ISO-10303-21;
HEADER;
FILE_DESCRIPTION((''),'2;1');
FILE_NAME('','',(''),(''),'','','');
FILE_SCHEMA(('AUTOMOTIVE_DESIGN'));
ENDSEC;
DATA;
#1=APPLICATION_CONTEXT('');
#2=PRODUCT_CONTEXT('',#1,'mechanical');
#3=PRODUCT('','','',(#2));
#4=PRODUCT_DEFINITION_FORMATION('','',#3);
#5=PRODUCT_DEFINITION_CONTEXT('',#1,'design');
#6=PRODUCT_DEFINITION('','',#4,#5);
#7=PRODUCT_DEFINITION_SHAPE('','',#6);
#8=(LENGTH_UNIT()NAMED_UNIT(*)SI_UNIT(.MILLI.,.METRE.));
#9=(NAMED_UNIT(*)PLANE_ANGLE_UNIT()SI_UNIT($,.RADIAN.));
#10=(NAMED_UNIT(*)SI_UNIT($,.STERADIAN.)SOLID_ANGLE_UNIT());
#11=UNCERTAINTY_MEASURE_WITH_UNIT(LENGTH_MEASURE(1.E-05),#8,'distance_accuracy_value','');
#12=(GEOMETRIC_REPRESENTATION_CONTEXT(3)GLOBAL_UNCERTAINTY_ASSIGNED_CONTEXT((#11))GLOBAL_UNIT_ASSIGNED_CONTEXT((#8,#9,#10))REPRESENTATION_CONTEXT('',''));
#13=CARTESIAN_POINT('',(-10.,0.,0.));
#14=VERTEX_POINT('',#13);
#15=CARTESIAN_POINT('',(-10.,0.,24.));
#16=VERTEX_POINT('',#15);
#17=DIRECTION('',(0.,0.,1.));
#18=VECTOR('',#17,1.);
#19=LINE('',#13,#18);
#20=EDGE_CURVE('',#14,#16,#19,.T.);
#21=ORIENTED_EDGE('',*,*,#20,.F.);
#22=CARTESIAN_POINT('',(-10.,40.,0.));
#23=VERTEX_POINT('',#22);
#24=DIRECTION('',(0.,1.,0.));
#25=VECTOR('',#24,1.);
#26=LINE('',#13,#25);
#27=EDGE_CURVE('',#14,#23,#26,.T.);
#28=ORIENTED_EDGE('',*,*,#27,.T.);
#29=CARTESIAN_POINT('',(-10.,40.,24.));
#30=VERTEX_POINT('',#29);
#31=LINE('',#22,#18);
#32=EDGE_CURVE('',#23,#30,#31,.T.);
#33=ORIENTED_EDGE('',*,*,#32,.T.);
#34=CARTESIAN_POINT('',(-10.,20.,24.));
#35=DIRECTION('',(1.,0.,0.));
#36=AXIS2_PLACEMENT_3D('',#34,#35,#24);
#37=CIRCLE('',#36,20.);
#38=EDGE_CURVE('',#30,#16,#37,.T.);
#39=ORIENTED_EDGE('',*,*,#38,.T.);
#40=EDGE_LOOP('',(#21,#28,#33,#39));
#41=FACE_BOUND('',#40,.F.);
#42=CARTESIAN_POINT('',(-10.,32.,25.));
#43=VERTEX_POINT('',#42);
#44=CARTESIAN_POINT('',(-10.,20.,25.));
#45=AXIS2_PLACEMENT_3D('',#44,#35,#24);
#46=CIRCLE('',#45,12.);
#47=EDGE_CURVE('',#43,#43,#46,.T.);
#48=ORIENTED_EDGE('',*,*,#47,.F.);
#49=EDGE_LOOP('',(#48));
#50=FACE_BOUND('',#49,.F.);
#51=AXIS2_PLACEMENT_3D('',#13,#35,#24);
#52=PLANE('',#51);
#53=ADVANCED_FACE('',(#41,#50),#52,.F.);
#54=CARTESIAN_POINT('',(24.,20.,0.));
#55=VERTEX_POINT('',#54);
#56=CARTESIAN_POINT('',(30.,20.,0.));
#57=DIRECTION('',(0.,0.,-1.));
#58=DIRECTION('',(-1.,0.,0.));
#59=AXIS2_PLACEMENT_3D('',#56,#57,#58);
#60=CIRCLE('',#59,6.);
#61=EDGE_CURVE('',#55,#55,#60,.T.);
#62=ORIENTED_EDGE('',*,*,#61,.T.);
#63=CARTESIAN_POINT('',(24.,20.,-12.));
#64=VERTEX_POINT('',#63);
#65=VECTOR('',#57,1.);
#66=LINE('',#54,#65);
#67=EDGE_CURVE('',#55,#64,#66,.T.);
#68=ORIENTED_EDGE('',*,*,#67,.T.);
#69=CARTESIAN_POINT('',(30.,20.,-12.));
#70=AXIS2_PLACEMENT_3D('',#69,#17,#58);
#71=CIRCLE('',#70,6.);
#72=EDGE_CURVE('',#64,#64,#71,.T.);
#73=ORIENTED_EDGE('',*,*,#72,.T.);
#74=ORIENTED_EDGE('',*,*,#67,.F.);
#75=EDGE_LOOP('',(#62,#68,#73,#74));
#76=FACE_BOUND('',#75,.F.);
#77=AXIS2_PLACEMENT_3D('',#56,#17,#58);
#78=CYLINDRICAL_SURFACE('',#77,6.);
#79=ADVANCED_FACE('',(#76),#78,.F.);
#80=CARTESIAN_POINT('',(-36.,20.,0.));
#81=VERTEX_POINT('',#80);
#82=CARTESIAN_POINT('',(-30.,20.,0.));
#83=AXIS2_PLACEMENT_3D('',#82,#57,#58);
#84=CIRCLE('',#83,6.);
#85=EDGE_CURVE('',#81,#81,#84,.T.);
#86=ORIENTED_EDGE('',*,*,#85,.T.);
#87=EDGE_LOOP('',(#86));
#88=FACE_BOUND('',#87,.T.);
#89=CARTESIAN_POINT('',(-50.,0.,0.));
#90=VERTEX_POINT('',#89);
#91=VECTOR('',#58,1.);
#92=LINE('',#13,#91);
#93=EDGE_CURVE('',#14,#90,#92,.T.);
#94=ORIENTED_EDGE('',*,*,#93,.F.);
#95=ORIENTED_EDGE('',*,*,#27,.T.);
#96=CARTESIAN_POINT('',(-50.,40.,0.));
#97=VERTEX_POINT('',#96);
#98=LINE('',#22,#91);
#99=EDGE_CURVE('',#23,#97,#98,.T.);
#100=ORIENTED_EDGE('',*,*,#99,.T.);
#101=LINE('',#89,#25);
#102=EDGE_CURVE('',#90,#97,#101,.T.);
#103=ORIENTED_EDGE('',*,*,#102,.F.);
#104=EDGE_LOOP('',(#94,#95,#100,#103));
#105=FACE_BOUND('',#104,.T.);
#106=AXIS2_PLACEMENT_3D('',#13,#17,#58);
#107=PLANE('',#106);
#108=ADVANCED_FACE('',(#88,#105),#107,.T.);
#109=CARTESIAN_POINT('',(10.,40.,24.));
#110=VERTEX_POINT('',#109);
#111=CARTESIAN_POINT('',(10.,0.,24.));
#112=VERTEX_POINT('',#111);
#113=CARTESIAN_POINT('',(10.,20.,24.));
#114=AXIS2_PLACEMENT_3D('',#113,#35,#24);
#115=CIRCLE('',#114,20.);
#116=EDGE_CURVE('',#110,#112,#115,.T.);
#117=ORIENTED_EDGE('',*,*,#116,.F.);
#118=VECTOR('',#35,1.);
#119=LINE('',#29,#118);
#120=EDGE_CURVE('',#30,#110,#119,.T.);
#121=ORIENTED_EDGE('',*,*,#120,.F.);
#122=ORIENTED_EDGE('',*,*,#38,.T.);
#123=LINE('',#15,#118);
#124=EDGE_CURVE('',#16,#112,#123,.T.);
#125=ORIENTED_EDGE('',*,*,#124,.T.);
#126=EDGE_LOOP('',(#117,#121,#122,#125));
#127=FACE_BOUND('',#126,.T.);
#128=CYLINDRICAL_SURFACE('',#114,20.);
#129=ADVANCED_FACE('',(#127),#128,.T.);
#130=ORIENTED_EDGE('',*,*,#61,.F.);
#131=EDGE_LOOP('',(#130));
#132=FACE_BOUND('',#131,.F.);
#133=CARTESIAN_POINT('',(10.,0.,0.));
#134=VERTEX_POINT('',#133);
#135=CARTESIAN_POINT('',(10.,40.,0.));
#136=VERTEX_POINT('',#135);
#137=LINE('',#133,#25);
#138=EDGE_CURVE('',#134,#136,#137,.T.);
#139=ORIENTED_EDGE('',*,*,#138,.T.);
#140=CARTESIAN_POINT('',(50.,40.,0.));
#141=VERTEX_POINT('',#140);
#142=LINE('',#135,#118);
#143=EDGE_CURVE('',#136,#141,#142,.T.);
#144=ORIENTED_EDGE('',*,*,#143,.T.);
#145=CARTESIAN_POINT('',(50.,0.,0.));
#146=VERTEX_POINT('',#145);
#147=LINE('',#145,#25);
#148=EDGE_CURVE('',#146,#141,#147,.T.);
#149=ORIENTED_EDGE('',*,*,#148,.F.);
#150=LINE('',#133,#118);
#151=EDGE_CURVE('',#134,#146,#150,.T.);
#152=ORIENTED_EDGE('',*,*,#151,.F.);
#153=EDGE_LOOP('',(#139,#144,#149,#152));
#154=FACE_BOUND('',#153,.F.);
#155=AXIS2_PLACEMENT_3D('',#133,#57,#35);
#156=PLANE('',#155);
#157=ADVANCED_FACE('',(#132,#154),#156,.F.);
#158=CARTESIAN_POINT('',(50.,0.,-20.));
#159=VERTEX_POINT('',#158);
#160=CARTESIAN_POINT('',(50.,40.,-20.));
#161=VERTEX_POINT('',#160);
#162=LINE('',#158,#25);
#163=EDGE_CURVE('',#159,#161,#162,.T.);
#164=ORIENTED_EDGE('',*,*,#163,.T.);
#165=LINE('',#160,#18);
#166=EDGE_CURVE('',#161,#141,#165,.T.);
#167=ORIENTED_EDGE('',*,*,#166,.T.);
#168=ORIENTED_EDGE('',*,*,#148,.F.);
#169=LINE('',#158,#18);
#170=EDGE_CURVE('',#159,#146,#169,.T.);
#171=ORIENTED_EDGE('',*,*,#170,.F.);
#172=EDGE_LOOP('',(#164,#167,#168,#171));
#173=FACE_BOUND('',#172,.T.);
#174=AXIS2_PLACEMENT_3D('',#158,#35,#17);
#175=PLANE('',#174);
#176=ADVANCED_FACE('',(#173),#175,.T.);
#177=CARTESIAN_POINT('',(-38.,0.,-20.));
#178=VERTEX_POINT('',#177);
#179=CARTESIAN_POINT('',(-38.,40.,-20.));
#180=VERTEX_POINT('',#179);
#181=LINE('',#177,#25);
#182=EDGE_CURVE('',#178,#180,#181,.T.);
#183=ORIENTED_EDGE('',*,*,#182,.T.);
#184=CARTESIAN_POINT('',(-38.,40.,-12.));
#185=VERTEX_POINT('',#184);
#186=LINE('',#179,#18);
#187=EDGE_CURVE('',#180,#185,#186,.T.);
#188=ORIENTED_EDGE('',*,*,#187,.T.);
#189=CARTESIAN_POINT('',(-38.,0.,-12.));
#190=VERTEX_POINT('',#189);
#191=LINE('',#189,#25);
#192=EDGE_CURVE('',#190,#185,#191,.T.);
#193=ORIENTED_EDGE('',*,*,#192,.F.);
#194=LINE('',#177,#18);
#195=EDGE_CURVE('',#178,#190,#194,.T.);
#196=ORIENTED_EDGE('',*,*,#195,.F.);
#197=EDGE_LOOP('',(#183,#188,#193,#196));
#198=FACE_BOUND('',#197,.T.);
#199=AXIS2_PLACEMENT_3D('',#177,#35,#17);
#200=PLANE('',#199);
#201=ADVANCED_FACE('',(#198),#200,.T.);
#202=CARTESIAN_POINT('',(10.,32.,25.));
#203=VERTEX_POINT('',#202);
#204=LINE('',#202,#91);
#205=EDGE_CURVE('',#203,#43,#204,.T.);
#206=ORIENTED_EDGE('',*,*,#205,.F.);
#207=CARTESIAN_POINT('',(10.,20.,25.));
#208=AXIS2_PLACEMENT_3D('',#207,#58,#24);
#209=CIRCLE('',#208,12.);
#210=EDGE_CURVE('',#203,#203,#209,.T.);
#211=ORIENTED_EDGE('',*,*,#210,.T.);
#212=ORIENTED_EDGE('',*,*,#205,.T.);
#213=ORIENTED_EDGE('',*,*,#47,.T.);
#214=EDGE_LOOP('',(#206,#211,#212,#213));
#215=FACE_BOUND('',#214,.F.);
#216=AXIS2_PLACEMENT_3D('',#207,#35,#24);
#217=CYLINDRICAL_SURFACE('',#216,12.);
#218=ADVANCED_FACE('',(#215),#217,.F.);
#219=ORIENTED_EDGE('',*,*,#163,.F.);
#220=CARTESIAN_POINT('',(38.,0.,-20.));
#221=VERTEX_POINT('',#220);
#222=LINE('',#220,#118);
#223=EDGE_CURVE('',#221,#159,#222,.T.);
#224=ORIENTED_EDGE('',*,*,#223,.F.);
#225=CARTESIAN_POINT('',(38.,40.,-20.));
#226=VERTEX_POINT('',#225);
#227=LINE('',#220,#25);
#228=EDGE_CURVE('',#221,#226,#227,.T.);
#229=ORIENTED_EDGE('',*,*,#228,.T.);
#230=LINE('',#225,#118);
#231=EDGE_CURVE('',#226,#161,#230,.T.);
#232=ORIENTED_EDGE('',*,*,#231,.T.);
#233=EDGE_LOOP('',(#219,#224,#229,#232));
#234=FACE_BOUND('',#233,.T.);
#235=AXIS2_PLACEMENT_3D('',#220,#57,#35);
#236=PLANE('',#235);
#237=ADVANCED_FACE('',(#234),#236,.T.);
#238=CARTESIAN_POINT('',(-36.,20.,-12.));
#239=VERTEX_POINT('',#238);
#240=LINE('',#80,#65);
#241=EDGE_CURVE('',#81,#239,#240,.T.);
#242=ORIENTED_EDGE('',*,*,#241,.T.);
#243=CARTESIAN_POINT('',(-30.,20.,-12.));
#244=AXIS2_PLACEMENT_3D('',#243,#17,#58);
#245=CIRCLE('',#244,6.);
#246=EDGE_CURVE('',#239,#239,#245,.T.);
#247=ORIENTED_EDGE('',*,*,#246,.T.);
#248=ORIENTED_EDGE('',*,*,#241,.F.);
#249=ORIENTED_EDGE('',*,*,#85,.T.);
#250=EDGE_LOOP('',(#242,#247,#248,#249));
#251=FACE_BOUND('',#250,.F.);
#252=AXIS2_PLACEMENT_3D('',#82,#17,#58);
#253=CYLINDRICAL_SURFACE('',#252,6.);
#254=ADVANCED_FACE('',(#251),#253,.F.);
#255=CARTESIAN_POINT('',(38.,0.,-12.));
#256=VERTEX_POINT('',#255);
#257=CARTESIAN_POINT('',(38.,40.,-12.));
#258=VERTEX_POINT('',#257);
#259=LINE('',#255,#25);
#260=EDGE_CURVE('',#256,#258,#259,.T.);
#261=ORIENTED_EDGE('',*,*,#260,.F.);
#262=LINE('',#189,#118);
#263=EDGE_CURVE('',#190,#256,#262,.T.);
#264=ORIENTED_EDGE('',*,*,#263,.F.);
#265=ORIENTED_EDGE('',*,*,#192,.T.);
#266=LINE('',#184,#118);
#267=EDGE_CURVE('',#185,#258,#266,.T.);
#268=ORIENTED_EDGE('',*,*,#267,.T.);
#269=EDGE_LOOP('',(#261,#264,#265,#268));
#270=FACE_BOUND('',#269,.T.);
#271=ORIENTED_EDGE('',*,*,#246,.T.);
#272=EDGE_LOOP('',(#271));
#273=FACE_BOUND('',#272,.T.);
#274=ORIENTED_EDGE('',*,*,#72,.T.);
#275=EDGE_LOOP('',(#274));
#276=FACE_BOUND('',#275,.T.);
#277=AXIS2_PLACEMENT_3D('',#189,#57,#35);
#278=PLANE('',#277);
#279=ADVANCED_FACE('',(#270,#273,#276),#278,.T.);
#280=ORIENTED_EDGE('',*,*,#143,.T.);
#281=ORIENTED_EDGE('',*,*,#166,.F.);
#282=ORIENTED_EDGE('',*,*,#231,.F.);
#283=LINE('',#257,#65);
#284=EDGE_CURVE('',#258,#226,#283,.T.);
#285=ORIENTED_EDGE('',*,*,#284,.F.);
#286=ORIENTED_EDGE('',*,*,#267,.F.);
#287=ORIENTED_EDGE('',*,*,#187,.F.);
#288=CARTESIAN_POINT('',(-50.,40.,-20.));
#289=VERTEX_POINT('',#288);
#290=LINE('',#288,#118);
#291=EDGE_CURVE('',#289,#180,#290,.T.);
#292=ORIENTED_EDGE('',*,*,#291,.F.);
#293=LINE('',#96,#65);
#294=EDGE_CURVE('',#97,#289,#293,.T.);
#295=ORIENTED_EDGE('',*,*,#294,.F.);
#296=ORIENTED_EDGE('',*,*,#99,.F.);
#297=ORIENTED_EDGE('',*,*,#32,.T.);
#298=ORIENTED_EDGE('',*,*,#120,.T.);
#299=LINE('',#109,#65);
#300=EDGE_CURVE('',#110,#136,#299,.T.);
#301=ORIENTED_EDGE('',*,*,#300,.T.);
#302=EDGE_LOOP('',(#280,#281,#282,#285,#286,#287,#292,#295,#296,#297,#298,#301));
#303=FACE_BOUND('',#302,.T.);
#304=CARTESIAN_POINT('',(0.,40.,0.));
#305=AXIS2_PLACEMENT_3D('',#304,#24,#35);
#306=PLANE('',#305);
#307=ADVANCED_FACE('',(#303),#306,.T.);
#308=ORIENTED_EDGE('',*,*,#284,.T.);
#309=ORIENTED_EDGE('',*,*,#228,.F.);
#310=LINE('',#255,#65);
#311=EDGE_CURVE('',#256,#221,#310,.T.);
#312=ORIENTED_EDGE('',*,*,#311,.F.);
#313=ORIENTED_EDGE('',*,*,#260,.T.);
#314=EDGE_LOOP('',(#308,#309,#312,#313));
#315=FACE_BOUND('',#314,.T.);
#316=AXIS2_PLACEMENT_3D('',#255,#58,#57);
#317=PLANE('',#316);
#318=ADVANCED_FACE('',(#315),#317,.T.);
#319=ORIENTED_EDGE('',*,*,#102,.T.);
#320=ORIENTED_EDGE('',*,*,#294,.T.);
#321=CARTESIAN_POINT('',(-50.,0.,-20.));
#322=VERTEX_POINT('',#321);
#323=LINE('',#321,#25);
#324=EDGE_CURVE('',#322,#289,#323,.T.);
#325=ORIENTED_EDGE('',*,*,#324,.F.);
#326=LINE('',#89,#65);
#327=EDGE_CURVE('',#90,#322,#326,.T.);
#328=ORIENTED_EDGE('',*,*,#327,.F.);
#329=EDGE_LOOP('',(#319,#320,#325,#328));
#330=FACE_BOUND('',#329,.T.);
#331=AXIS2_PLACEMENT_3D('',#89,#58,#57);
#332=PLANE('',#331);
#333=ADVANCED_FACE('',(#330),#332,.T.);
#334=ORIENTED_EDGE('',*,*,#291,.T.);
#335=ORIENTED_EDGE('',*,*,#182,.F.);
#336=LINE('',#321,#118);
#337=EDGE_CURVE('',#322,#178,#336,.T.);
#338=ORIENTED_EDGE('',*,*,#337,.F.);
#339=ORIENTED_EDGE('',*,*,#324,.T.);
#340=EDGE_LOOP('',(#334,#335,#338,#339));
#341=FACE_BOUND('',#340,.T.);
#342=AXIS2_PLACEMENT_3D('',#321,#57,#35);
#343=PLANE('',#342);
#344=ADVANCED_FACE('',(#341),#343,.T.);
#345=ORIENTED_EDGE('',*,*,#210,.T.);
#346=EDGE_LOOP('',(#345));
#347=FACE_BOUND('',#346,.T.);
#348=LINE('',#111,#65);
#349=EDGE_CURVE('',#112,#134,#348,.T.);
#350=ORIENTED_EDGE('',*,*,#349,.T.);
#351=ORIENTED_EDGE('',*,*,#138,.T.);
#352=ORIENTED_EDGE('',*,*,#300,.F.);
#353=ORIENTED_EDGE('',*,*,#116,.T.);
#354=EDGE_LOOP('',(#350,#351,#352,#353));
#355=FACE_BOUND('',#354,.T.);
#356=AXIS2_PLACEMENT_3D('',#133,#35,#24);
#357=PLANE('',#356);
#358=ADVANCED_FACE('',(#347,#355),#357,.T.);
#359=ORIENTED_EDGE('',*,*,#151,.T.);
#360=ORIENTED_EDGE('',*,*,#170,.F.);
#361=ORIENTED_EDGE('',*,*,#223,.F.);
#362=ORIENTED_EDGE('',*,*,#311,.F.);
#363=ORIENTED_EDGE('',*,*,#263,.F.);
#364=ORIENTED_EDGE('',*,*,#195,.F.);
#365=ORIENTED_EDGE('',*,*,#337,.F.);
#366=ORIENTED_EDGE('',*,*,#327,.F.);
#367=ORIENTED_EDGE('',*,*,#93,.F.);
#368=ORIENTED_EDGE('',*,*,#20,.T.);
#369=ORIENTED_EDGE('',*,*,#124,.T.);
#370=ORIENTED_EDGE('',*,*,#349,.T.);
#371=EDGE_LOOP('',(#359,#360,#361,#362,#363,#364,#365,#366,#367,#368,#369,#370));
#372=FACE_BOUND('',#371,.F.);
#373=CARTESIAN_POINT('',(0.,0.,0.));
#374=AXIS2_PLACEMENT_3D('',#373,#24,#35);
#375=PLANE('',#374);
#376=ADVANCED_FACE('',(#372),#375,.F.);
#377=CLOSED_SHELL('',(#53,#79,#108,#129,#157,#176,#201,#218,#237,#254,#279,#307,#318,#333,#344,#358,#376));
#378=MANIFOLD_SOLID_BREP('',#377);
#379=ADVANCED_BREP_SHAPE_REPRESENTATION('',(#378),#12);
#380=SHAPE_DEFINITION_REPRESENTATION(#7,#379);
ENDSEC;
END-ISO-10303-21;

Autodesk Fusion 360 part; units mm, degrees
sketch "Sketch1" plane through (0, 0, 0) normal (0, 1, 0) x (1, 0, 0)
  line L0 (10, 0) -> (50, 0)
  line L1 (-50, 0) -> (-50, 20)
  line L2 (-50, 20) -> (-38, 20)
  line L3 (-38, 20) -> (-38, 12)
  line L4 (-38, 12) -> (38, 12)
  line L5 (38, 12) -> (38, 20)
  line L6 (38, 20) -> (50, 20)
  line L7 (50, 20) -> (50, 0)
  line L8 (50, 20) -> (50, 0)
  line L9 (50, 0) -> (10, 0)
  line L10 (50, 0) -> (10, 0)
  line L11 (-10, 0) -> (-50, 0)
  line L12 (-10, 0) -> (-10, -24)
  line L13 (-10, -24) -> (10, -24)
  line L14 (10, -24) -> (10, 0)
  dimension "d1" = 50
  dimension "d2" = 100
  dimension "d3" = 20
  dimension "d4" = 12
  dimension "d5" = 8
  dimension "d6" = 76
  dimension "d7" = 8
  dimension "d8" = 20
  dimension "d9" = 40
  dimension "d13" = 24
  dimension "d14" = 20
extrude "Extrude1" add sketch "Sketch1" along normal blind 40
sketch "Sketch2" plane through (0, 0, 0) normal (0, 0, 1) x (-1, 0, 0)
  line L0 (-10, 0) -> (-50, 0)
  line L1 (-50, 0) -> (-50, -40)
  line L2 (-50, -40) -> (-10, -40)
  line L3 (-10, -40) -> (-10, 0)
  line L4 (-30, -40) -> (-30, 0)
  circle A0 centre (-30, -20) radius 6
  line L5 (50, 0) -> (30, 0)
  line L6 (30, 0) -> (30, -40)
  circle A1 centre (30, -20) radius 6
  dimension "d17" = 12
  dimension "d18" = 20
  dimension "d19" = 12
extrude "Extrude2" cut sketch "Sketch2" against normal blind 20 contours L4 A0 | L4 A0
sketch "Sketch3" plane through (0, 0, 0) normal (0, 0, 1) x (-1, 0, 0)
  line L0 (50, 0) -> (10, 0)
  line L1 (10, 0) -> (10, -40)
  line L2 (10, -40) -> (50, -40)
  line L3 (50, -40) -> (50, 0)
  line L4 (50, 0) -> (30, 0)
  line L5 (30, 0) -> (30, -40)
  circle A0 centre (30, -20) radius 6
  dimension "d22" = 12
extrude "Extrude3" cut sketch "Sketch3" against normal blind 20 contours L5 A0 | L5 A0
sketch "Sketch4" plane through (10, 0, 0) normal (1, 0, 0) x (0, 1, 0)
  line L0 (0, 24) -> (0, 0)
  line L1 (0, 0) -> (40, 0)
  line L2 (40, 0) -> (40, 24)
  line L3 (40, 24) -> (0, 24)
  circle A0 centre (20, 24) radius 20
  dimension "d25" = 40
extrude "Extrude4" add sketch "Sketch4" against normal blind 20 contours L3 A0 picked at (20.4982, 30.648)
sketch "Sketch5" plane through (10, 0, 0) normal (1, 0, 0) x (0, 1, 0)
  line L0 (0, 24) -> (0, 0)
  line L1 (0, 0) -> (40, 0)
  line L2 (40, 0) -> (40, 24)
  arc A0 (40, 24) -> (0, 24) centre (20, 24) ccw
  line L3 (0, 0) -> (0, 25)
  line L4 (0, 25) -> (40, 25)
  circle A1 centre (20, 25) radius 12
  dimension "d28" = 40
  dimension "d29" = 24
extrude "Extrude5" cut sketch "Sketch5" against normal blind 20 contours L4 A1 | L4 A1
sketch "Sketch6" plane through (0, 0, 0) normal (0, -1, 0) x (1, 0, 0)
  line L0 (-10, 24) -> (-10, 0)
  line L1 (-10, 0) -> (-50, 0)
  line L2 (-50, 0) -> (-50, -20)
  line L3 (-50, -20) -> (-38, -20)
  line L4 (-38, -20) -> (-38, -12)
  line L5 (-38, -12) -> (38, -12)
  line L6 (38, -12) -> (38, -20)
  line L7 (38, -20) -> (50, -20)
  line L8 (50, -20) -> (50, 0)
  line L9 (50, 0) -> (10, 0)
  line L10 (10, 0) -> (10, 24)
  line L11 (10, 24) -> (-10, 24)
